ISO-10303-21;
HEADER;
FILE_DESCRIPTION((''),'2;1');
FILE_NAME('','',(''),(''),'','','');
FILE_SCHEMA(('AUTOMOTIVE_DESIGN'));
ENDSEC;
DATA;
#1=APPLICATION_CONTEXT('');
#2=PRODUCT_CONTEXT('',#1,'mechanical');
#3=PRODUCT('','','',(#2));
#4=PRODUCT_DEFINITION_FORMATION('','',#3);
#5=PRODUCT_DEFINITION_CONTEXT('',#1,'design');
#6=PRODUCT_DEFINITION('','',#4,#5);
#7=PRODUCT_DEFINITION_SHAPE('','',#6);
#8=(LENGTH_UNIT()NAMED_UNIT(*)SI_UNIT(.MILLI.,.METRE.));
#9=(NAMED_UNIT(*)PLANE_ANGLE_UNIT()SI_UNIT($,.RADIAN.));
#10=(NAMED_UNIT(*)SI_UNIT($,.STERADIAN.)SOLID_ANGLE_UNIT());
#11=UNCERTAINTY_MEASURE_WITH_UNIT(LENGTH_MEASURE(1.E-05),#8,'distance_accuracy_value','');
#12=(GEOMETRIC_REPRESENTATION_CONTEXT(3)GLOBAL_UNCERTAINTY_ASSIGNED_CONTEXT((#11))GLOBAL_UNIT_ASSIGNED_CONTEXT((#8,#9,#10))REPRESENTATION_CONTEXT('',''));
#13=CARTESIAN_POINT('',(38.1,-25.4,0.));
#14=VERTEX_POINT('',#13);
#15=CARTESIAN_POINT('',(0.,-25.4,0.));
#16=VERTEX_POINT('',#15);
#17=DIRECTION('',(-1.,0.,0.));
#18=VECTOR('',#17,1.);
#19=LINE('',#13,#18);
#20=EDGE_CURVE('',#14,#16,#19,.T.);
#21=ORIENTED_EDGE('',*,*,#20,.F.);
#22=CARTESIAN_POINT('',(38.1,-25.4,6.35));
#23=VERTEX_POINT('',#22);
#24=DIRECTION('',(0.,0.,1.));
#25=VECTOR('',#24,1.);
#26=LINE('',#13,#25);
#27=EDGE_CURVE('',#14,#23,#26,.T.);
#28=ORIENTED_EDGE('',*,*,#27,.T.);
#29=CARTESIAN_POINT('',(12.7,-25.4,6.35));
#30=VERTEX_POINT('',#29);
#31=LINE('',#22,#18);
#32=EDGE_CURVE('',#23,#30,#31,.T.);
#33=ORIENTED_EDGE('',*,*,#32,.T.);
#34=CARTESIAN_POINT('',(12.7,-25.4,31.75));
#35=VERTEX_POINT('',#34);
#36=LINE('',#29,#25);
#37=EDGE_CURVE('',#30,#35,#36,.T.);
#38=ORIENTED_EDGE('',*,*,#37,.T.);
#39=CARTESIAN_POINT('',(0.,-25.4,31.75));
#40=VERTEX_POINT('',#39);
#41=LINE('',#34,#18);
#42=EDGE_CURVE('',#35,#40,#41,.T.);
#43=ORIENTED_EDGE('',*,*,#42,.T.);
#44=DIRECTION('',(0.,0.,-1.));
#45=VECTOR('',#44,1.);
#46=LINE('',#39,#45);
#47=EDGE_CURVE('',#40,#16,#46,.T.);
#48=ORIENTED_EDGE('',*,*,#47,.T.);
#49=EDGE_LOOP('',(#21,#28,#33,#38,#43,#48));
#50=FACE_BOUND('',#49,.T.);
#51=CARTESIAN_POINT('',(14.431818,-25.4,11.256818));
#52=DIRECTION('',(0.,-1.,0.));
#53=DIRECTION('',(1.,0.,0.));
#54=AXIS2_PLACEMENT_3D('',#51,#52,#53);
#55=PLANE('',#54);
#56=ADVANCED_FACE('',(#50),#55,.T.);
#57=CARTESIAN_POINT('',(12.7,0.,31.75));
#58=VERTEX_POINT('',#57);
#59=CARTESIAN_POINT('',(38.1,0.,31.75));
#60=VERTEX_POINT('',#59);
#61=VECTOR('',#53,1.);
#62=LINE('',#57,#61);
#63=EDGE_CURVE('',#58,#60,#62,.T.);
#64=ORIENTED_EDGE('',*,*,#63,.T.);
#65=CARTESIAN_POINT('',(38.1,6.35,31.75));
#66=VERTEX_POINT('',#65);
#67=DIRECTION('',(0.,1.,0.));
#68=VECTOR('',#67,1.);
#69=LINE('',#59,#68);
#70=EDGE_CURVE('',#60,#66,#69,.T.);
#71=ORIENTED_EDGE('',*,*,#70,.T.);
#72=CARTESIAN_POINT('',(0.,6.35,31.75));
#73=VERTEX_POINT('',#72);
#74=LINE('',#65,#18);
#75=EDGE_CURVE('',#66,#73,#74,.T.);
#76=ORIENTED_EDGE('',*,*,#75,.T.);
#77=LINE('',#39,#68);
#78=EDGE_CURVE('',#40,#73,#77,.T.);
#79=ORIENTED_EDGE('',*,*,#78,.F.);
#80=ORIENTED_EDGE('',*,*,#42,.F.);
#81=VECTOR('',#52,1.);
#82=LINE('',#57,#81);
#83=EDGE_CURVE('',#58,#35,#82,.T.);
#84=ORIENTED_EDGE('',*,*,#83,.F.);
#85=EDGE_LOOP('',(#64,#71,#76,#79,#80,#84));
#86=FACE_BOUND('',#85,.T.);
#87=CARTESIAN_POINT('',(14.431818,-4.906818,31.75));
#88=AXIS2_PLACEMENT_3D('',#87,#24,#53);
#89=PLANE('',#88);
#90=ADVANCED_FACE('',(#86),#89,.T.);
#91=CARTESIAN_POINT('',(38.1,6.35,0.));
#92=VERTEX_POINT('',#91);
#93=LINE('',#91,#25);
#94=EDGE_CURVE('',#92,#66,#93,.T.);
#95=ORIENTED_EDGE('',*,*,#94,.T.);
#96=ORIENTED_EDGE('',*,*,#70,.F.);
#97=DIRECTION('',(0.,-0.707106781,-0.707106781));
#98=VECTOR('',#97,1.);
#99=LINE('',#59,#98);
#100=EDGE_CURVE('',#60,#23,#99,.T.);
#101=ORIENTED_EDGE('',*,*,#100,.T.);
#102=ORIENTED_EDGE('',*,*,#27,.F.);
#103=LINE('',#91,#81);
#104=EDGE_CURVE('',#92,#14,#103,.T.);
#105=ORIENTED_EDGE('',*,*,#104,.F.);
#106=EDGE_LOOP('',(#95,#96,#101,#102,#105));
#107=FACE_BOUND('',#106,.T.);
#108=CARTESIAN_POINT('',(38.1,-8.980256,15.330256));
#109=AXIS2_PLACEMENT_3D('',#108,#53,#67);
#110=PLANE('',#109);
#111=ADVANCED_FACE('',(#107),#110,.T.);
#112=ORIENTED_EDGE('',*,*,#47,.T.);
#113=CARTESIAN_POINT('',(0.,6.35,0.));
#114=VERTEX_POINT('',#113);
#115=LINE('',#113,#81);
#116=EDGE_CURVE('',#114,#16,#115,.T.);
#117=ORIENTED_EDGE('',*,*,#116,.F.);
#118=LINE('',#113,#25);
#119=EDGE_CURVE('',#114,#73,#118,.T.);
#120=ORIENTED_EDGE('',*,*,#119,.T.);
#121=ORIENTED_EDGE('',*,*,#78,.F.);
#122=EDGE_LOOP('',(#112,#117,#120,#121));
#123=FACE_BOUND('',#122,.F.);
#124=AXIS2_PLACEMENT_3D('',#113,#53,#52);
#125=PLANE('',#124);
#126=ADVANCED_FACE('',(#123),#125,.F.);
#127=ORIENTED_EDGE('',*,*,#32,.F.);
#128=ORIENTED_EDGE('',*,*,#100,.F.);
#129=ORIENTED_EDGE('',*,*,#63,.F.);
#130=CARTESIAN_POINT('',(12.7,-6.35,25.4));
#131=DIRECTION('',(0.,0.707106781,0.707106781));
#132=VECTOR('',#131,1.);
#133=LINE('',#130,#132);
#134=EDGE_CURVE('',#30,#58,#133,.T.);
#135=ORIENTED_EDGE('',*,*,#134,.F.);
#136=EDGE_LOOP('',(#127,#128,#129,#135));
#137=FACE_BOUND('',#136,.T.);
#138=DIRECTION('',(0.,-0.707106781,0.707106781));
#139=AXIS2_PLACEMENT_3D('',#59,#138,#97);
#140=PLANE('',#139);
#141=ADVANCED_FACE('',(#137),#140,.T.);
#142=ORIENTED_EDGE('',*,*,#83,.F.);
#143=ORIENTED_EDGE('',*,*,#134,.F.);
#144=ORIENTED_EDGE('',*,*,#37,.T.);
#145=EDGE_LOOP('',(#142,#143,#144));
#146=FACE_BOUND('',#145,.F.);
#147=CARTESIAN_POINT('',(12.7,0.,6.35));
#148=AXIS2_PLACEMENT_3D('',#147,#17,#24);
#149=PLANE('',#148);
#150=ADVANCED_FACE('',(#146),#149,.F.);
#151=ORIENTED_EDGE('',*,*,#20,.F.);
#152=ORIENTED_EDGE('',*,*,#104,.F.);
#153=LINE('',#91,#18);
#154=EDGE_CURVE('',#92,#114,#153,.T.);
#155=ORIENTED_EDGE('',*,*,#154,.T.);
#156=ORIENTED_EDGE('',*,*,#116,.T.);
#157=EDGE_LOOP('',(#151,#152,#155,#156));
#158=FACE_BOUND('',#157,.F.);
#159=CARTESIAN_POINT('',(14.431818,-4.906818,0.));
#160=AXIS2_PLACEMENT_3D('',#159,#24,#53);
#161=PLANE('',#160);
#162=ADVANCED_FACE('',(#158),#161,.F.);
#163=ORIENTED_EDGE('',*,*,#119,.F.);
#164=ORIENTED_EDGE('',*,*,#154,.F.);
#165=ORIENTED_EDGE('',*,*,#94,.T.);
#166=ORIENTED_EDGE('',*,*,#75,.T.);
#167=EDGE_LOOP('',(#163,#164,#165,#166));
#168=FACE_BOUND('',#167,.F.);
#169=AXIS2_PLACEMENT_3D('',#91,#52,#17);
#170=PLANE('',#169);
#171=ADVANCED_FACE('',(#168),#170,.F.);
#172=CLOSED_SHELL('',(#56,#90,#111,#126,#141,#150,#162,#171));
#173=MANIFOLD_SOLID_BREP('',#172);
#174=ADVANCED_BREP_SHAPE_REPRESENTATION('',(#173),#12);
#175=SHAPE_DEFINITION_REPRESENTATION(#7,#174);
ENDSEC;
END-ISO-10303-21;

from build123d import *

# Parameters (mm, degrees)
F1_DEPTH = 25.4
F3_DEPTH = 31.75
F5_DEPTH = 25.908


with BuildPart() as f1:
    # F0 (on Front) → F1 (new body)
    with BuildSketch(Plane.XZ):
        Polygon((0, 31.75), (0, 0), (38.1, 0), (38.1, 6.35), (12.7, 6.35), (12.7, 31.75), align=None)
    extrude(amount=F1_DEPTH)

    # F2 (on Top) → F3 (join)
    with BuildSketch(Plane.XY):
        Polygon((0, 6.35), (0, 0), (0, -25.4), (12.7, -25.4), (12.7, 0), (38.1, 0), (38.1, 6.35), align=None)
    extrude(amount=F3_DEPTH)

    # F4 (on face) → F5 (join)
    with BuildSketch(Plane.YZ.offset(38.1)):
        Polygon((0, 31.75), (-25.4, 6.35), (0, 6.35), align=None)
    extrude(amount=-F5_DEPTH)


solid = f1.part
